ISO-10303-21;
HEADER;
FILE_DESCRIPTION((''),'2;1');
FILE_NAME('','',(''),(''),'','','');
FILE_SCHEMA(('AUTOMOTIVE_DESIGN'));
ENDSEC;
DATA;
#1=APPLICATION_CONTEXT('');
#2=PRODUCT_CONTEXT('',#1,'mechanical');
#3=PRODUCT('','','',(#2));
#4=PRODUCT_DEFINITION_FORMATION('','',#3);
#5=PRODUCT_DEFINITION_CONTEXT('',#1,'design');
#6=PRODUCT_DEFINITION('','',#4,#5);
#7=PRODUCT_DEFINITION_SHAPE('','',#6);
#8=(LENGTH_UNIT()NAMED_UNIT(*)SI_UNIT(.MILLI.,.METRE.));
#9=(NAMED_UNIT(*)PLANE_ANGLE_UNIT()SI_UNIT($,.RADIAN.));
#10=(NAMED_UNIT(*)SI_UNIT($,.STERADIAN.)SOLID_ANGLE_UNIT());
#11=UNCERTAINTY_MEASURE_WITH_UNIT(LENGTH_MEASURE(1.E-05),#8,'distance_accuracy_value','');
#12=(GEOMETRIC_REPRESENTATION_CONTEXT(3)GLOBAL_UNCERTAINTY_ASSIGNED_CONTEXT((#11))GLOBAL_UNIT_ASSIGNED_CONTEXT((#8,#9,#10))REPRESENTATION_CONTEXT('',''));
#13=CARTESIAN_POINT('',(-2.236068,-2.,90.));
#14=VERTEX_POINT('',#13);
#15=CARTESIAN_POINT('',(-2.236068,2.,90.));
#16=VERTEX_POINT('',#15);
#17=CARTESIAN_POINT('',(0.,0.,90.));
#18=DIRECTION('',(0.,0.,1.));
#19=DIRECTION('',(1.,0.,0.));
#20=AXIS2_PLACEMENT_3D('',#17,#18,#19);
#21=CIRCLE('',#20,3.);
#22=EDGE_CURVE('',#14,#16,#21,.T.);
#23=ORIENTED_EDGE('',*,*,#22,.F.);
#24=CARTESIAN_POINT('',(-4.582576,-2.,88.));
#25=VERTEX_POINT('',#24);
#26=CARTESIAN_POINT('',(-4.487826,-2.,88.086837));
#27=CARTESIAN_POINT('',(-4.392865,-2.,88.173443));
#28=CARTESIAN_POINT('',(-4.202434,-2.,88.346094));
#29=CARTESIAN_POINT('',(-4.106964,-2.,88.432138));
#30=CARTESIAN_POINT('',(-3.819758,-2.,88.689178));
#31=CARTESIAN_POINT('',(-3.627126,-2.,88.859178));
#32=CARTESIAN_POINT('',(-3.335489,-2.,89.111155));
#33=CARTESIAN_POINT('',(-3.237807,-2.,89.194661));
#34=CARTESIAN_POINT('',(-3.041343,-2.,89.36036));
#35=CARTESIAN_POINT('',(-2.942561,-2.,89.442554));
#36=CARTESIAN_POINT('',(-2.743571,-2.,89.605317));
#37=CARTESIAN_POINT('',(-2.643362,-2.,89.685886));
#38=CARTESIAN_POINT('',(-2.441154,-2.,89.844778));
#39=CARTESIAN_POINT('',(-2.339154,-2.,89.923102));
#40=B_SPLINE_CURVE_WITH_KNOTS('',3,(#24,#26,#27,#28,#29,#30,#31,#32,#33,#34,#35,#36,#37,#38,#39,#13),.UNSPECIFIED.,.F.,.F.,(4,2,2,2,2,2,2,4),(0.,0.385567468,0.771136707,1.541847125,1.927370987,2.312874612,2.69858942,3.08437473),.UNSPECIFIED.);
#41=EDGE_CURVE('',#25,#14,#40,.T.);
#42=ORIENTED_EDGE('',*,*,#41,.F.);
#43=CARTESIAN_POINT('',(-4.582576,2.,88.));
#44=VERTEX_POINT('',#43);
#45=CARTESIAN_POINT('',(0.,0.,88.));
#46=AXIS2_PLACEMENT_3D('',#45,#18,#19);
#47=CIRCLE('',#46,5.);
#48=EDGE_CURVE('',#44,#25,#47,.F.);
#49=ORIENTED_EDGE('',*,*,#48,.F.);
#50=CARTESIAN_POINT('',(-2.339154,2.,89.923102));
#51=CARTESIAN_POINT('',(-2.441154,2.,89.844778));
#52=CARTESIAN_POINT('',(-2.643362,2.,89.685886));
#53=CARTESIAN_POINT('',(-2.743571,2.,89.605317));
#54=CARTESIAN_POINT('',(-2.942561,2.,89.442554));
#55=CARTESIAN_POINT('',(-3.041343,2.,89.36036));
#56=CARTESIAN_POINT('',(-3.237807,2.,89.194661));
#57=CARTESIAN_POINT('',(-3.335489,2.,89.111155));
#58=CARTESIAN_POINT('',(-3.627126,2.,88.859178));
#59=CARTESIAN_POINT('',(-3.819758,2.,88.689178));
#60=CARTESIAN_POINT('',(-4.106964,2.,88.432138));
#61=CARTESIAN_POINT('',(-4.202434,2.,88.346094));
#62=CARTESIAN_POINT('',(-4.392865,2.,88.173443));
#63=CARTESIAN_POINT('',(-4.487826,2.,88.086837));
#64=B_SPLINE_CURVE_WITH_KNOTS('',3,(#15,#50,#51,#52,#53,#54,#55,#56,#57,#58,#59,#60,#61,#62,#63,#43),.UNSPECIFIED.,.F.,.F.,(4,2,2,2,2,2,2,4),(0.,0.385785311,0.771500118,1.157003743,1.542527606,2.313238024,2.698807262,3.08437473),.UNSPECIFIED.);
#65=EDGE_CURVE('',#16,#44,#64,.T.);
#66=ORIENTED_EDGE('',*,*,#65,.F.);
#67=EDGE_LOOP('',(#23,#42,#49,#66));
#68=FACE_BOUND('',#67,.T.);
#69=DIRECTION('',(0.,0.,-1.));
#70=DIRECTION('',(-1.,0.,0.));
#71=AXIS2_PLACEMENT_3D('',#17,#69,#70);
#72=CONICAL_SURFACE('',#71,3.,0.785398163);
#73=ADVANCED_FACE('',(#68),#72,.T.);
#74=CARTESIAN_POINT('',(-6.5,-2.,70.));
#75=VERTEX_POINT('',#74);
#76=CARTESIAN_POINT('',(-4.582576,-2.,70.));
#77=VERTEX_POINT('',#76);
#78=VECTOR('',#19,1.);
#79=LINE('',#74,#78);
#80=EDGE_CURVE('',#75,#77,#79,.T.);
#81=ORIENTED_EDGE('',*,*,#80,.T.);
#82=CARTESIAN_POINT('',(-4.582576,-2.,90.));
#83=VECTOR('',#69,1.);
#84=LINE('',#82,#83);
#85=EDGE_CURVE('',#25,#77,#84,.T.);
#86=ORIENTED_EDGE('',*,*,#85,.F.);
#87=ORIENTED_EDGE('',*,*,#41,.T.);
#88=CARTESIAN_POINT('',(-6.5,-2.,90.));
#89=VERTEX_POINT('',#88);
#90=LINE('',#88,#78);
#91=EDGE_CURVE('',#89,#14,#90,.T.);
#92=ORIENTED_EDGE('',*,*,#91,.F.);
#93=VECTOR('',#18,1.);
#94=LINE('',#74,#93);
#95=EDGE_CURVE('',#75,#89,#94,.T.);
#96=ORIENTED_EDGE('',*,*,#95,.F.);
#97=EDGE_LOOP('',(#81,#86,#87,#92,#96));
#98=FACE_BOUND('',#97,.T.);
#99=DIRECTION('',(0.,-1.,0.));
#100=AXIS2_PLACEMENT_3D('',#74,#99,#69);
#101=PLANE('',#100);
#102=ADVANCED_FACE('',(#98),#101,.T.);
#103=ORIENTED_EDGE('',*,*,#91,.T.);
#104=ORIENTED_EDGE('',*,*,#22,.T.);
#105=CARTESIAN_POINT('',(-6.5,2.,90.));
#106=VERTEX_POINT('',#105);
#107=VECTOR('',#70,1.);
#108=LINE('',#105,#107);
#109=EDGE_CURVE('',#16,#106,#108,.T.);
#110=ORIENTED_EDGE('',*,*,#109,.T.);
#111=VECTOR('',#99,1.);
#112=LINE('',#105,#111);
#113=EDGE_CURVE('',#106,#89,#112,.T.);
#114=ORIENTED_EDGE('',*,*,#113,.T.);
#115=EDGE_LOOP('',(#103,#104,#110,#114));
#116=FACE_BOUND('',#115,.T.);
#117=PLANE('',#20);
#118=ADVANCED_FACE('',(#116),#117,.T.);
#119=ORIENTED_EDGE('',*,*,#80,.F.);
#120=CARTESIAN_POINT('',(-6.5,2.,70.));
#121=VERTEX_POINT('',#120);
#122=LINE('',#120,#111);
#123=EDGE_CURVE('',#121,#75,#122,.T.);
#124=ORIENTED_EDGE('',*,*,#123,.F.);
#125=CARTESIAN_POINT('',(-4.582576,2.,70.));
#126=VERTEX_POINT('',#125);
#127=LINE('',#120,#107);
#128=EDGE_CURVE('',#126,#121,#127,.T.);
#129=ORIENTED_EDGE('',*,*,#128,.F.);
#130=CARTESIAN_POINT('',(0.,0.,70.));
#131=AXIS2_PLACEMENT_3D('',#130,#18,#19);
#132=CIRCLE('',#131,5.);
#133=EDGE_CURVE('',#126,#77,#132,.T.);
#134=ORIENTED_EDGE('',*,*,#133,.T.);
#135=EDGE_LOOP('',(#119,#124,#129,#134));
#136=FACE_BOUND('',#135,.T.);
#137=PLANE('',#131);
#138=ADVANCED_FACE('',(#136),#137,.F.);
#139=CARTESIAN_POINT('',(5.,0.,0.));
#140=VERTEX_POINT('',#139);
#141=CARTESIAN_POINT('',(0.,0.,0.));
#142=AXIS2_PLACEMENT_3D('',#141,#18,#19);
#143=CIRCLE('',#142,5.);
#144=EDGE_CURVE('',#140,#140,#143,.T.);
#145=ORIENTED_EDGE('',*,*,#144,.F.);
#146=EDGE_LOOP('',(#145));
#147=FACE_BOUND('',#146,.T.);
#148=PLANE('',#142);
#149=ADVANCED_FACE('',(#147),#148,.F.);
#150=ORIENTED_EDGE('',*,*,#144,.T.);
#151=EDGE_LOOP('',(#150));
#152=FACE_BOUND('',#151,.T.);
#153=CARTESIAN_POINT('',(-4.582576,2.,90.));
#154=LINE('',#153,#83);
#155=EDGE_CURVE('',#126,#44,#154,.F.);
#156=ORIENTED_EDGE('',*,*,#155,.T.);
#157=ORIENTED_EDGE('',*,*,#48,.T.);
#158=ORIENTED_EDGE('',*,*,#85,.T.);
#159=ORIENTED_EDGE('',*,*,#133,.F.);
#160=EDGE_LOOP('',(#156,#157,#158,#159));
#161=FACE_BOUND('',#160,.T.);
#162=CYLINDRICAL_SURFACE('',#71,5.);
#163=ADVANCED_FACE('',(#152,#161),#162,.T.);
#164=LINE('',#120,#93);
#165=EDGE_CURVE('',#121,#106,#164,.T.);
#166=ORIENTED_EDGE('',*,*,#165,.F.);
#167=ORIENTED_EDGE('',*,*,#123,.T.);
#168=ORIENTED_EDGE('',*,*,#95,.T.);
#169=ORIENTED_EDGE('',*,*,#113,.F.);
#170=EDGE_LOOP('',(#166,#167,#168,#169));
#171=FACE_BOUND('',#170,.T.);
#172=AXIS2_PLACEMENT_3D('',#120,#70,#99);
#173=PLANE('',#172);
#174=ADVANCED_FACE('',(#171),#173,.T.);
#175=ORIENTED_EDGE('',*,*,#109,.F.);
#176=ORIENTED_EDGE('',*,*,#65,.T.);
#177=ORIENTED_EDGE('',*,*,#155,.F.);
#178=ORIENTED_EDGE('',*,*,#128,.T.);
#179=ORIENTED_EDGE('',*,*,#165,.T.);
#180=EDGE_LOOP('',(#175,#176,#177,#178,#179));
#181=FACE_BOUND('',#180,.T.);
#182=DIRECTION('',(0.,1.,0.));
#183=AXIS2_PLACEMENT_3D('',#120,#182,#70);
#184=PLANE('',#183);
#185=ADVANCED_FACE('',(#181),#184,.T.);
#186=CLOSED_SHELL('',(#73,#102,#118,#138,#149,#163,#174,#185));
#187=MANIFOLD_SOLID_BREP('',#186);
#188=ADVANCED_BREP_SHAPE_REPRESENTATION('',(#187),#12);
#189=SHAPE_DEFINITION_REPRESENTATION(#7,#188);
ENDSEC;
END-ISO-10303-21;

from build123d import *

# Parameters (mm, degrees)
SKETCH_1_R      = 5
EXTRUDE_1_DEPTH = 90
SKETCH_2_W      = 6.5
SKETCH_2_H      = 4
EXTRUDE_2_DEPTH = 20
CHAMFER_1_SIZE  = 2


with BuildPart() as part:
    # 草图1 → 凸台-拉伸1 (new body)
    with BuildSketch(Plane.XY):
        with Locations(Location((0, 0, 0), (0, 0, 180))):
            Circle(SKETCH_1_R)
    extrude(amount=EXTRUDE_1_DEPTH)

    # 草图2 → 凸台-拉伸2 (add)
    with BuildSketch(Plane.XY.offset(90)):
        with Locations((-3.25, 0)):
            Rectangle(SKETCH_2_W, SKETCH_2_H)
    extrude(amount=-EXTRUDE_2_DEPTH)

    # 倒角1
    chamfer_1_edges = [part.edges().sort_by_distance(p)[0] for p in [
        (5, 0, 90),
    ]]
    chamfer(chamfer_1_edges, length=CHAMFER_1_SIZE)


solid = part.part
